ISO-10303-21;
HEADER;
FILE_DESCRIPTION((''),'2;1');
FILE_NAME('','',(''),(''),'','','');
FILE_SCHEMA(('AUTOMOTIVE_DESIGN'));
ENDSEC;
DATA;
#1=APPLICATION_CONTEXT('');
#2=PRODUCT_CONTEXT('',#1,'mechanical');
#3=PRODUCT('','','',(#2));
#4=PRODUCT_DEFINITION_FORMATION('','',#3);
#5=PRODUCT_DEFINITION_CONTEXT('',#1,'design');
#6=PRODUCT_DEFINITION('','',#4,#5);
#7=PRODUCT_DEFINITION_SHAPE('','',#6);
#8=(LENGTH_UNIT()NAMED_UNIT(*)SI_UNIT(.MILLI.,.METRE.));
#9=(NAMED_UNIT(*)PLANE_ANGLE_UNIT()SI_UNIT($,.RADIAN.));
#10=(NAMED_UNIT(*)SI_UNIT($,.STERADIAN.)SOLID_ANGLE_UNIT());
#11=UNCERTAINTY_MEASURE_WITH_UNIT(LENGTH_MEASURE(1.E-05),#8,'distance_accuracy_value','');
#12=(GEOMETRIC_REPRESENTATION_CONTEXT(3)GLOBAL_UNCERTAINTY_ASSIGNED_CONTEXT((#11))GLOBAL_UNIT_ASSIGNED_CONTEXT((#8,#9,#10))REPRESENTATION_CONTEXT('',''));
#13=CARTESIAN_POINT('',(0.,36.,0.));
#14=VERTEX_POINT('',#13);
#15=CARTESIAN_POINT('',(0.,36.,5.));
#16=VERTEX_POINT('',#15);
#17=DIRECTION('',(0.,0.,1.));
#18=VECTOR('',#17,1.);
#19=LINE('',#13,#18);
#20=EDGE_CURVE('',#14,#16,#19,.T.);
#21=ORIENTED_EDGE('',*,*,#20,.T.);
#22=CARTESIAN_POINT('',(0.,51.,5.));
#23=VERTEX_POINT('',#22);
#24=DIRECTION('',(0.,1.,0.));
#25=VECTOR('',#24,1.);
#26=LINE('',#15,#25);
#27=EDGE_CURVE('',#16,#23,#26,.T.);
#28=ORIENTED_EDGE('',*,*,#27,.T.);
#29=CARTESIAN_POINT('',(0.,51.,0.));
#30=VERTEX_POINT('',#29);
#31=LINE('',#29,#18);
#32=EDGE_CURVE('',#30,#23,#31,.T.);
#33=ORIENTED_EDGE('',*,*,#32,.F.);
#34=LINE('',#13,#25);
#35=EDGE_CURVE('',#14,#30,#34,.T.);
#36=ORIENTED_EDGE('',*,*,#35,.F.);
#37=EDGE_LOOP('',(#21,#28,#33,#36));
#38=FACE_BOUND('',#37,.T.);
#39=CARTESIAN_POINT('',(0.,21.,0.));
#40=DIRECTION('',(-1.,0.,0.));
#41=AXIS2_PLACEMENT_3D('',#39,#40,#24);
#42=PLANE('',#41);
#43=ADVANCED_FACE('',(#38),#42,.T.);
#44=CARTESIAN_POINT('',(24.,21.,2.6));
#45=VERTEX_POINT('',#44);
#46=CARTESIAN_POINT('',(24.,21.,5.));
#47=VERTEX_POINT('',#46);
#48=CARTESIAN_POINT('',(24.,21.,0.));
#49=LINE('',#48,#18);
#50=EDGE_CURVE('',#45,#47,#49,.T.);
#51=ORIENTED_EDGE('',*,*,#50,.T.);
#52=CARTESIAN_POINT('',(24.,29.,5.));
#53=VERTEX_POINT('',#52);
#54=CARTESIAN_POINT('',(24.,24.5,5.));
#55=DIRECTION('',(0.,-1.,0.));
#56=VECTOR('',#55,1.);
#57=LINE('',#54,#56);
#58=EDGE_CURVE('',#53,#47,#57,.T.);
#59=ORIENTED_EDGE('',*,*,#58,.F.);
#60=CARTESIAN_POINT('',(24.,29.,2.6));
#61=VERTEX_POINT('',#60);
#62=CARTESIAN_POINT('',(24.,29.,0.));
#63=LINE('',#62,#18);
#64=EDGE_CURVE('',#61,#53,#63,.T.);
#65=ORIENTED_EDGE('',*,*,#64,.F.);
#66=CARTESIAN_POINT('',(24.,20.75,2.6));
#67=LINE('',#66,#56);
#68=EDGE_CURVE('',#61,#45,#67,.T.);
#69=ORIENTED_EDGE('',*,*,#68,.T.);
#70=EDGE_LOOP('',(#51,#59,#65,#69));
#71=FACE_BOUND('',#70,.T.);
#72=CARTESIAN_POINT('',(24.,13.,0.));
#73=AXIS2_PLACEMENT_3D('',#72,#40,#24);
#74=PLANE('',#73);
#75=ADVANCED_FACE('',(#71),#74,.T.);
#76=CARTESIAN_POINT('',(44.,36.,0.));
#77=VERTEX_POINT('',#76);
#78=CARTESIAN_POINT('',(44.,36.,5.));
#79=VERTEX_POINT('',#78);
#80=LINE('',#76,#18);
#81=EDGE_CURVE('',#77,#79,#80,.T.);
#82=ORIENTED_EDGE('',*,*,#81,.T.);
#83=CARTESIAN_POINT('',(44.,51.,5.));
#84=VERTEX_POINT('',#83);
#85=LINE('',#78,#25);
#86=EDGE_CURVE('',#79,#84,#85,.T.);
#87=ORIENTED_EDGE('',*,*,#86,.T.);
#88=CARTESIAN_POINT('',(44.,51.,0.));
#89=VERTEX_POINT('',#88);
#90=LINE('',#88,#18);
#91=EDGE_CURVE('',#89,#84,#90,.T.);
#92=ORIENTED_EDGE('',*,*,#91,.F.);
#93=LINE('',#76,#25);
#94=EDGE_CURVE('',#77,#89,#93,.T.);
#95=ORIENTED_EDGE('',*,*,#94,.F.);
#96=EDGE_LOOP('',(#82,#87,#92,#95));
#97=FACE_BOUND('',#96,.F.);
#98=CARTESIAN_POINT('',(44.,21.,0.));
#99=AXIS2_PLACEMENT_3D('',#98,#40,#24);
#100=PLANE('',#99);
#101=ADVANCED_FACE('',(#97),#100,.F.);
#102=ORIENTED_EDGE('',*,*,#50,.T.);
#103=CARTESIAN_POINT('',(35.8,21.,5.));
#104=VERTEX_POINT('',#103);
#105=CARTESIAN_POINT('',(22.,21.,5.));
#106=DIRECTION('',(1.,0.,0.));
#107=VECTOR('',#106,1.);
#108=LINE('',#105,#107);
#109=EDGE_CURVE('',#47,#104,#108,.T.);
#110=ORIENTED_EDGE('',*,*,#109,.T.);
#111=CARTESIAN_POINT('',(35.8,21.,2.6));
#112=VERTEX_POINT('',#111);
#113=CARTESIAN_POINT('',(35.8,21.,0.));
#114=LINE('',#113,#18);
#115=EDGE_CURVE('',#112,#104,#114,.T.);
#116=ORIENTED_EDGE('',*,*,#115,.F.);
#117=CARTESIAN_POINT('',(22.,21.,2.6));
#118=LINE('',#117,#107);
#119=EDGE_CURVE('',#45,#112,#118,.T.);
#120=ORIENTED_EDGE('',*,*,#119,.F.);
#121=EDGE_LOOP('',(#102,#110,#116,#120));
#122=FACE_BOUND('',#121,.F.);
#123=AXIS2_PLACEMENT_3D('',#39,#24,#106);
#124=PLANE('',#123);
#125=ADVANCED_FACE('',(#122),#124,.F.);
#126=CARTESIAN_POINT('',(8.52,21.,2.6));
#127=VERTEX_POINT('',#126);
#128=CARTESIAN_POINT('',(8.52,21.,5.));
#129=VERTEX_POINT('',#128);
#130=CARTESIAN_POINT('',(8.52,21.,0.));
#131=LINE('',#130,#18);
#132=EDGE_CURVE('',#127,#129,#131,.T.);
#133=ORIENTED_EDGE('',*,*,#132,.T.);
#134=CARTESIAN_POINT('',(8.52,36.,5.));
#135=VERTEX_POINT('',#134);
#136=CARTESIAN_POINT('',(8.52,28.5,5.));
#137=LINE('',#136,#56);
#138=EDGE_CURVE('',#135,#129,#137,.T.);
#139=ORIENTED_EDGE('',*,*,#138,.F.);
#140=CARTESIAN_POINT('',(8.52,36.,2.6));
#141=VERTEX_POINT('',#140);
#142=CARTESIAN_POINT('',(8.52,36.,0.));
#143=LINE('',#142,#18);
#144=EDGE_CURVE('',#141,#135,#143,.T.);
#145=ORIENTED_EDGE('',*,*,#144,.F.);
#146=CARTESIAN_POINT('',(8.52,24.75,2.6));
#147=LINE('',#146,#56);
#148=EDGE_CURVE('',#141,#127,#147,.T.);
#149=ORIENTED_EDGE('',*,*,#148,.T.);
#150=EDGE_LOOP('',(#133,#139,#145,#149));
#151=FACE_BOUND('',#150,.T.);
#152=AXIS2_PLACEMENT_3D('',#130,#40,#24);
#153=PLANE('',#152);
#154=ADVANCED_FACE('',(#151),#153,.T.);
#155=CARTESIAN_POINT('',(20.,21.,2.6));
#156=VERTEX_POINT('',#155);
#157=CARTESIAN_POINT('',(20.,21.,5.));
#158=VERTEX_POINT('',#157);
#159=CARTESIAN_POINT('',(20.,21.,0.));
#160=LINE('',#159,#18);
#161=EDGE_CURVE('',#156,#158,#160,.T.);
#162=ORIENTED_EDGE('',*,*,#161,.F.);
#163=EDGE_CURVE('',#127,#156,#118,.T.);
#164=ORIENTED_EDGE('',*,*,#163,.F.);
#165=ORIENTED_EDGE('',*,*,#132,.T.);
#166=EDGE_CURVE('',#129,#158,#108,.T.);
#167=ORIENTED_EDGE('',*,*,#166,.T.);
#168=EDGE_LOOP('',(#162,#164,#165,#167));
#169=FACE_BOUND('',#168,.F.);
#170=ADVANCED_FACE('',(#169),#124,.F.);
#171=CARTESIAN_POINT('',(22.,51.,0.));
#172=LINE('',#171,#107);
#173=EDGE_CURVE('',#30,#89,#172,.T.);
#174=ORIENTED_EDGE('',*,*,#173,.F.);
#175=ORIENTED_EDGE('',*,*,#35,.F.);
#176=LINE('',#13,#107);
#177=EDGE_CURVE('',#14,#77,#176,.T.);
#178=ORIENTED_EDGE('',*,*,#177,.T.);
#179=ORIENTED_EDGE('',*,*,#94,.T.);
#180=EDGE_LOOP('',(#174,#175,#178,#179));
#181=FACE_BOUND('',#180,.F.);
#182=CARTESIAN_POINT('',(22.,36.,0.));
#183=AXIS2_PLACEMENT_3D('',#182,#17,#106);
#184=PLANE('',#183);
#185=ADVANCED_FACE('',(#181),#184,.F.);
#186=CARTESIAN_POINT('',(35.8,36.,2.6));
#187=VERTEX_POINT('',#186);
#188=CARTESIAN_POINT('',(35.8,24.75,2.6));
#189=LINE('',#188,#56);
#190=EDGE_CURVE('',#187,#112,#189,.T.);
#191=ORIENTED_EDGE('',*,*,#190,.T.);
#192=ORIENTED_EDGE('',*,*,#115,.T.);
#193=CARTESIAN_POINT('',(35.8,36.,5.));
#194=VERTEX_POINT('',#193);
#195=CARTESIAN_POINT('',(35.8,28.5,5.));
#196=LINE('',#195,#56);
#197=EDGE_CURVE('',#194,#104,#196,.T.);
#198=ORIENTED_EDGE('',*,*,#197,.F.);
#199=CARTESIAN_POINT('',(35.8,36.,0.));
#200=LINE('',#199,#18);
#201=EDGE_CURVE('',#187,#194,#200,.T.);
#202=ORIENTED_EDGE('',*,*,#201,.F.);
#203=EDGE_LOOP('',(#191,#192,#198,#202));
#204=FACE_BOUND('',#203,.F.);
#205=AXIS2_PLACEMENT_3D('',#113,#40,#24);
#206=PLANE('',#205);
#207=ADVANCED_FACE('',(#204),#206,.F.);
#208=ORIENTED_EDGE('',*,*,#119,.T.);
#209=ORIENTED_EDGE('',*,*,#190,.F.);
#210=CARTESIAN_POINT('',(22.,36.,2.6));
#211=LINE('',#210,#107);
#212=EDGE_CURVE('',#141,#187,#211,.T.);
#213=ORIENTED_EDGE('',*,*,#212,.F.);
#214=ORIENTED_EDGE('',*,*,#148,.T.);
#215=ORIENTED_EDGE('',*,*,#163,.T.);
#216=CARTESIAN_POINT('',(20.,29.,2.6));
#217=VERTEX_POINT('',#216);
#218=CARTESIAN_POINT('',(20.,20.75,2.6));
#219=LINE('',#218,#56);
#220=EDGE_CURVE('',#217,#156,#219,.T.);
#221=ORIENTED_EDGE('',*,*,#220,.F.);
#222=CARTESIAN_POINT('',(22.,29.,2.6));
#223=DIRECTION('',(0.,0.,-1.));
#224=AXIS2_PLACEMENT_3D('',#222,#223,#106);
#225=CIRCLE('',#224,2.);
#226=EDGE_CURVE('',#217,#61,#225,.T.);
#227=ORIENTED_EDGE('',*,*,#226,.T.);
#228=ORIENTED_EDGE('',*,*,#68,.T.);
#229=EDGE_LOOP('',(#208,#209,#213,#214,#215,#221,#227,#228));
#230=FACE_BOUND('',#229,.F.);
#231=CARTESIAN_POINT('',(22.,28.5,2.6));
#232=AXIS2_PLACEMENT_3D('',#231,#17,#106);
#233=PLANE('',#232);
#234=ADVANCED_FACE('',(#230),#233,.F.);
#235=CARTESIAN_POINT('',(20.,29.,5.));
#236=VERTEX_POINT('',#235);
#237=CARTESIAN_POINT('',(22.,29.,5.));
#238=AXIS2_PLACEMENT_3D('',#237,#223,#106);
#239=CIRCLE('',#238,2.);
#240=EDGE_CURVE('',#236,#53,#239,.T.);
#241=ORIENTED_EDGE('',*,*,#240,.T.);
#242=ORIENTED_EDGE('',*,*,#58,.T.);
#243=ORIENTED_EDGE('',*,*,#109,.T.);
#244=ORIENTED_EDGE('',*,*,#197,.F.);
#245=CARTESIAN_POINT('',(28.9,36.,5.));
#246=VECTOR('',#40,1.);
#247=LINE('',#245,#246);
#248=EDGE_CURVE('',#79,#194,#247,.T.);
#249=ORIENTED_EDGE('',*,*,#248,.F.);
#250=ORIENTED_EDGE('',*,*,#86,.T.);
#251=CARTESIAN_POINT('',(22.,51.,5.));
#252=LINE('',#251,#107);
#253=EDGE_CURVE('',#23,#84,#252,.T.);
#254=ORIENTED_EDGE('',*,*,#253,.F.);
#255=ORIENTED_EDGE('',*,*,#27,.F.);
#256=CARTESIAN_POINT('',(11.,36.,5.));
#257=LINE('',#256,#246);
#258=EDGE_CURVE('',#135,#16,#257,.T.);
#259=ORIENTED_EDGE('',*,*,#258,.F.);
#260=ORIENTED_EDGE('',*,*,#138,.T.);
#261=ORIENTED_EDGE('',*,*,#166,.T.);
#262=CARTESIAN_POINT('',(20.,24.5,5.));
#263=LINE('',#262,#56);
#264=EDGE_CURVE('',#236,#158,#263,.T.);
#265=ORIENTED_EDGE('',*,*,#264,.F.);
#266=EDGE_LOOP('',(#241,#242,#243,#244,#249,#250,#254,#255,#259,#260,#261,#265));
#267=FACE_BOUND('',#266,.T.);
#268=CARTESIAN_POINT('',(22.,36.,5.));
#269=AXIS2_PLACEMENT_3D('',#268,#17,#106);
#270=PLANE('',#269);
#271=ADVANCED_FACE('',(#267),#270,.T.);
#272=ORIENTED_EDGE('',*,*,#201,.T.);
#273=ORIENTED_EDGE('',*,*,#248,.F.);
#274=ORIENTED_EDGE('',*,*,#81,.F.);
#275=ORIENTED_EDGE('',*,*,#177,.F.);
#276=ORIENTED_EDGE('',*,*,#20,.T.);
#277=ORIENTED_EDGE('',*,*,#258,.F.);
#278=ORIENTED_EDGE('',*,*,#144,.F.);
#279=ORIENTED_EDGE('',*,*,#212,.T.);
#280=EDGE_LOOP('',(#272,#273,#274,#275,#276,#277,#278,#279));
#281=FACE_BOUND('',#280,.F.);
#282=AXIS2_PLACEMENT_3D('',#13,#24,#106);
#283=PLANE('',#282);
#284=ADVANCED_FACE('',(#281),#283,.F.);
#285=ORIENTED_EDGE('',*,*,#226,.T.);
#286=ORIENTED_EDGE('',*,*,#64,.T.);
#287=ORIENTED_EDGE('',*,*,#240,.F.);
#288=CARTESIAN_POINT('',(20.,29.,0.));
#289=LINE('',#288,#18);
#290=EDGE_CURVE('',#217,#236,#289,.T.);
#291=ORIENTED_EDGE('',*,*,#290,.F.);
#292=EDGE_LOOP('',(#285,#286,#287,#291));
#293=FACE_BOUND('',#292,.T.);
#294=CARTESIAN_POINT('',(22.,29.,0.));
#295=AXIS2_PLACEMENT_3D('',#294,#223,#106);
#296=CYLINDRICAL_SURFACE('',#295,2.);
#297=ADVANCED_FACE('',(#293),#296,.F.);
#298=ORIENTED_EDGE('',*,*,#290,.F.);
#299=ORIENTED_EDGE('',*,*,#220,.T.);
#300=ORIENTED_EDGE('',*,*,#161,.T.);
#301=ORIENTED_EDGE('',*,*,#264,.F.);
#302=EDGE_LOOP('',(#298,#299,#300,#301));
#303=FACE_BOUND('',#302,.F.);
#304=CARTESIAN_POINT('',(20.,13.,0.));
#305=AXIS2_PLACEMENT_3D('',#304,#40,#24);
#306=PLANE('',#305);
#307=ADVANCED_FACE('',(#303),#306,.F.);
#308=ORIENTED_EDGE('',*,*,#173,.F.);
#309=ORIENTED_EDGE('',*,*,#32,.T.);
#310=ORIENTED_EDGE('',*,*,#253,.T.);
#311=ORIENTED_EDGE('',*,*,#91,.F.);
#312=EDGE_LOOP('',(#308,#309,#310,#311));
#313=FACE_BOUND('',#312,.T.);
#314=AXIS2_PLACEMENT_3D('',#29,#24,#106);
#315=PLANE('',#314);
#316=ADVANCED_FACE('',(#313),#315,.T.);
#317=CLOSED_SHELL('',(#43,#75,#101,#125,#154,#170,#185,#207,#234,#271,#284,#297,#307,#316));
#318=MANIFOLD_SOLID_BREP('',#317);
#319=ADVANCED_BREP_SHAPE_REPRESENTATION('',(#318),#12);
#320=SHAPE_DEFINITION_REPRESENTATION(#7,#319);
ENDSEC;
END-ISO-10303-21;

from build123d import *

# Parameters (mm, degrees)
BOX017_W          = 4
BOX017_H          = 16
BOX017_DEPTH      = 10
CYLINDER022_R     = 2
CYLINDER022_DEPTH = 10
BOX016_W          = 8.2
BOX016_H          = 15
BOX016_DEPTH      = 10
BOX015_W          = 8.52
BOX015_H          = 15
BOX015_DEPTH      = 10
BOX014_W          = 44
BOX014_H          = 15
BOX014_DEPTH      = 2.6
BOX013_W          = 44
BOX013_H          = 30
BOX013_DEPTH      = 5


with BuildPart() as cube017:
    # Box017 → Box017 (new body)
    with BuildSketch(Plane(origin=(20, -8, 0), x_dir=(1, 0, 0), z_dir=(0, 0, 1))):
        with Locations((2, 8)):
            Rectangle(BOX017_W, BOX017_H)
    extrude(amount=BOX017_DEPTH)


with BuildPart() as fusion022:
    # Cylinder022 → Cylinder022 (new body)
    with BuildSketch(Plane(origin=(22, 8, 0), x_dir=(1, 0, 0), z_dir=(0, 0, 1))):
        Circle(CYLINDER022_R)
    extrude(amount=CYLINDER022_DEPTH)

    # Fusion022: union Cube017
    add(cube017.part)


with BuildPart() as cube016:
    # Box016 → Box016 (new body)
    with BuildSketch(Plane(origin=(35.8, 0, 0), x_dir=(1, 0, 0), z_dir=(0, 0, 1))):
        with Locations((4.1, 7.5)):
            Rectangle(BOX016_W, BOX016_H)
    extrude(amount=BOX016_DEPTH)


with BuildPart() as cube015:
    # Box015 → Box015 (new body)
    with BuildSketch(Plane.XY):
        with Locations((4.26, 7.5)):
            Rectangle(BOX015_W, BOX015_H)
    extrude(amount=BOX015_DEPTH)


with BuildPart() as cube014:
    # Box014 → Box014 (new body)
    with BuildSketch(Plane.XY):
        with Locations((22, 7.5)):
            Rectangle(BOX014_W, BOX014_H)
    extrude(amount=BOX014_DEPTH)


with BuildPart() as exterior_part1:
    # Box013 → Box013 (new body)
    with BuildSketch(Plane.XY):
        with Locations((22, 15)):
            Rectangle(BOX013_W, BOX013_H)
    extrude(amount=BOX013_DEPTH)

    # Cut007002002: cut Cube014
    add(cube014.part, mode=Mode.SUBTRACT)

    # Cut007002003: cut Cube015
    add(cube015.part, mode=Mode.SUBTRACT)

    # Cut007002004: cut Cube016
    add(cube016.part, mode=Mode.SUBTRACT)

    # Cut007002005: cut Fusion022
    add(fusion022.part, mode=Mode.SUBTRACT)


with BuildPart() as exterior_part1_1:
    # Cut007002005 placement: moved
    add(exterior_part1.part.moved(Location((0, 21, 0))))


solid = exterior_part1_1.part
